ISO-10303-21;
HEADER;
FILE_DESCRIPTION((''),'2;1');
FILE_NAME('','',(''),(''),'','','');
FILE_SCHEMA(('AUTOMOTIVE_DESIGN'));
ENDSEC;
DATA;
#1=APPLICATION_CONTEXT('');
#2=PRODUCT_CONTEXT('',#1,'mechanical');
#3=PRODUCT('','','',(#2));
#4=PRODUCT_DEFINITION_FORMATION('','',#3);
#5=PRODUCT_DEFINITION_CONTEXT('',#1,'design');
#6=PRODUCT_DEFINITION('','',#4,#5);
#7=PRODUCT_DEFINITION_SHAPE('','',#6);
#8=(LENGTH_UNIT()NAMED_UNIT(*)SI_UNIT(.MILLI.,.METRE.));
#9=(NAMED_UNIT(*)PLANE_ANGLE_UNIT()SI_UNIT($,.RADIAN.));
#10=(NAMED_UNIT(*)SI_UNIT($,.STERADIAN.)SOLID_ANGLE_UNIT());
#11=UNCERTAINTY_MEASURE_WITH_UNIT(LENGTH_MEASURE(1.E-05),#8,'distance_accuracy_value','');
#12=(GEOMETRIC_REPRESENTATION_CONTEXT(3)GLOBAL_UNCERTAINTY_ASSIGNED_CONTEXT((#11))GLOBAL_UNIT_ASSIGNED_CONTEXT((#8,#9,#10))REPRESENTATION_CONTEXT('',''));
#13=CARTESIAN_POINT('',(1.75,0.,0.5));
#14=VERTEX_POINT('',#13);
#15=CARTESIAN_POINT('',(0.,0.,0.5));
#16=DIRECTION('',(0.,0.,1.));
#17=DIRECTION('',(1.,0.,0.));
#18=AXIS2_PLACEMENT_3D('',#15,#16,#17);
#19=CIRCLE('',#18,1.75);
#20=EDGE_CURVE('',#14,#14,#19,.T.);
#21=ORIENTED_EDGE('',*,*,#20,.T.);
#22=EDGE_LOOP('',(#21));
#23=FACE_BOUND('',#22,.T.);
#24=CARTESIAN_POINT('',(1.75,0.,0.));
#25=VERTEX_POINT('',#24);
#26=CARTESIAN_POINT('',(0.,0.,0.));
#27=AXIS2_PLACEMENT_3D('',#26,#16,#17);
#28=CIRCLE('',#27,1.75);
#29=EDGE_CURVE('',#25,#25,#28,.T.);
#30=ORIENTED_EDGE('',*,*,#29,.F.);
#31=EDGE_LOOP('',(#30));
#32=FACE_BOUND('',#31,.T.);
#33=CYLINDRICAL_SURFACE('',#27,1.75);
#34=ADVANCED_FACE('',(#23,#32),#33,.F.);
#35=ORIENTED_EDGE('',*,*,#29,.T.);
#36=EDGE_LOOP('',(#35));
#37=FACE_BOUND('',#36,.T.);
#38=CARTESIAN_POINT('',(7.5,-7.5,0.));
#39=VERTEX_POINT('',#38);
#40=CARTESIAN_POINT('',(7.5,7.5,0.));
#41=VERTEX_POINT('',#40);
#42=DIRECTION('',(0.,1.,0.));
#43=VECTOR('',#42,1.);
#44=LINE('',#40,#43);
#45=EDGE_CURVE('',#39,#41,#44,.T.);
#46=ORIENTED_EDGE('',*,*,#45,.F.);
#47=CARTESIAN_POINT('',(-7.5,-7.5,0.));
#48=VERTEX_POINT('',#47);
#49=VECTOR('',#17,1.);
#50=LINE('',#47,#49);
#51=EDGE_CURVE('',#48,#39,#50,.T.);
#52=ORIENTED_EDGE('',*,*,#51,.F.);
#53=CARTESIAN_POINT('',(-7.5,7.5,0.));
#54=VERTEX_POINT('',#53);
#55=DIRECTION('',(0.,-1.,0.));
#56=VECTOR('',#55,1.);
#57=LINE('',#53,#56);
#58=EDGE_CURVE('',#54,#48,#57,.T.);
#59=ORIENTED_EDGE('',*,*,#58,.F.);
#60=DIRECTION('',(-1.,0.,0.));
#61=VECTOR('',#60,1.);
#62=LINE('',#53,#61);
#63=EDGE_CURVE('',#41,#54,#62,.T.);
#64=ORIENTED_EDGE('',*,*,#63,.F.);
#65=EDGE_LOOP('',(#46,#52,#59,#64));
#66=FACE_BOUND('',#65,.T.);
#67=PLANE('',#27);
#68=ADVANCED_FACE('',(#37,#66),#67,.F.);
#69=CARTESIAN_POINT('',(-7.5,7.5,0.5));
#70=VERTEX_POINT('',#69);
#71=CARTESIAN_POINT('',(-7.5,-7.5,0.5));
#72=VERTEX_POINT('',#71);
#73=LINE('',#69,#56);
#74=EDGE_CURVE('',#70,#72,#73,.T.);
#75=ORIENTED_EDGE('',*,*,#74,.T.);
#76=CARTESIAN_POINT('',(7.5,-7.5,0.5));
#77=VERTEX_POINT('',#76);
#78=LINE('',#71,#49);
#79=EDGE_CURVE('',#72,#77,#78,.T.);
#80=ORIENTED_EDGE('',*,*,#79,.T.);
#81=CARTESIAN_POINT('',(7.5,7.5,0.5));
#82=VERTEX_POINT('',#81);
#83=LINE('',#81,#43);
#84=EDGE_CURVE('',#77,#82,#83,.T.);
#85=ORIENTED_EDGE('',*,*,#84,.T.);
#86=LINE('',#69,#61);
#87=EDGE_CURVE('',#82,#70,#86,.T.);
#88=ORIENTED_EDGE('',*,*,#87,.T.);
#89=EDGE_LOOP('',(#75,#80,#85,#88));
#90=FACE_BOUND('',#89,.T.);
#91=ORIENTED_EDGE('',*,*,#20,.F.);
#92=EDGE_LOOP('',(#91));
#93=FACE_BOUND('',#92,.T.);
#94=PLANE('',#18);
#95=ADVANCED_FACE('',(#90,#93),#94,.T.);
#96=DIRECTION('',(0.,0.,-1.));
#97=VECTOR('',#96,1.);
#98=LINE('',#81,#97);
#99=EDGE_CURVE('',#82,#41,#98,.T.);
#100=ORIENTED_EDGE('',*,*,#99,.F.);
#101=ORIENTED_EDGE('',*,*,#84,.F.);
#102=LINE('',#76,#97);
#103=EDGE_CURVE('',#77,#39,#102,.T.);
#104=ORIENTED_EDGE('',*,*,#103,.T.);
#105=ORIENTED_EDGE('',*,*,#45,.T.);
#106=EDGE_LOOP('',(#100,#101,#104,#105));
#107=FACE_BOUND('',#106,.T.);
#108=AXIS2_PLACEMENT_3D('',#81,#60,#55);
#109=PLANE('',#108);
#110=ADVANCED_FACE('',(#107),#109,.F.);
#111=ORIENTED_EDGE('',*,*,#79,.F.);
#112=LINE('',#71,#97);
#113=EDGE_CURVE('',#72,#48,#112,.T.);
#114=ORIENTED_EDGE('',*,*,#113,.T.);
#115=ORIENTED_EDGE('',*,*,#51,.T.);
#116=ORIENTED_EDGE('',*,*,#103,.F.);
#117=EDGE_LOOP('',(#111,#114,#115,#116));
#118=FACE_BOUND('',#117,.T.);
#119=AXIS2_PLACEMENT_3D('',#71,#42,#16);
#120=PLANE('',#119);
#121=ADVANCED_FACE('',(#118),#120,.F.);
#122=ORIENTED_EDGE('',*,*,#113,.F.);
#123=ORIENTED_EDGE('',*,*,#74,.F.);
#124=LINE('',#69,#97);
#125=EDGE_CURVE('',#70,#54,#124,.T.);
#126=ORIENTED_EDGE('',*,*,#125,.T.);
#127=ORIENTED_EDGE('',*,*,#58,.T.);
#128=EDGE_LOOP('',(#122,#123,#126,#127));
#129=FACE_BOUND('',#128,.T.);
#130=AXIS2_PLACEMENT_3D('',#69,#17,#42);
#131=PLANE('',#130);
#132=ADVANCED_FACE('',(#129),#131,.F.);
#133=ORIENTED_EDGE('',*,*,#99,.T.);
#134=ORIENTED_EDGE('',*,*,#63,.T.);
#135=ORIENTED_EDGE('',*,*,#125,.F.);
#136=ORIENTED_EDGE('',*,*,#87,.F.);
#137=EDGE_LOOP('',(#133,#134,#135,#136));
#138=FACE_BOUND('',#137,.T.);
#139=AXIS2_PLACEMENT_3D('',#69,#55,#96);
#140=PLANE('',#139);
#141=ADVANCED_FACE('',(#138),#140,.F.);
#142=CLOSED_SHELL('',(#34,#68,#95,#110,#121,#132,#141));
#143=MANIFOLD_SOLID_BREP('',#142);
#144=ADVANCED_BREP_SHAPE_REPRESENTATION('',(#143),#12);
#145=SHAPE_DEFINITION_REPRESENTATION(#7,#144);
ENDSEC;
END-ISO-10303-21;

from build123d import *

# Parameters (mm, degrees)
CROQUIS1_W              = 15
CROQUIS1_H              = 15
SALIENTE_EXTRUIR1_DEPTH = 0.5
CROQUIS2_R              = 1.75
CORTAR_EXTRUIR1_DEPTH   = 0.5


with BuildPart() as part:
    # Croquis1 → Saliente-Extruir1 (new body)
    with BuildSketch(Plane.XY):
        Rectangle(CROQUIS1_W, CROQUIS1_H)
    extrude(amount=SALIENTE_EXTRUIR1_DEPTH)

    # Croquis2 → Cortar-Extruir1 (cut)
    with BuildSketch(Plane.XY.offset(0.5)):
        Circle(CROQUIS2_R)
    extrude(amount=-CORTAR_EXTRUIR1_DEPTH, mode=Mode.SUBTRACT)


solid = part.part
